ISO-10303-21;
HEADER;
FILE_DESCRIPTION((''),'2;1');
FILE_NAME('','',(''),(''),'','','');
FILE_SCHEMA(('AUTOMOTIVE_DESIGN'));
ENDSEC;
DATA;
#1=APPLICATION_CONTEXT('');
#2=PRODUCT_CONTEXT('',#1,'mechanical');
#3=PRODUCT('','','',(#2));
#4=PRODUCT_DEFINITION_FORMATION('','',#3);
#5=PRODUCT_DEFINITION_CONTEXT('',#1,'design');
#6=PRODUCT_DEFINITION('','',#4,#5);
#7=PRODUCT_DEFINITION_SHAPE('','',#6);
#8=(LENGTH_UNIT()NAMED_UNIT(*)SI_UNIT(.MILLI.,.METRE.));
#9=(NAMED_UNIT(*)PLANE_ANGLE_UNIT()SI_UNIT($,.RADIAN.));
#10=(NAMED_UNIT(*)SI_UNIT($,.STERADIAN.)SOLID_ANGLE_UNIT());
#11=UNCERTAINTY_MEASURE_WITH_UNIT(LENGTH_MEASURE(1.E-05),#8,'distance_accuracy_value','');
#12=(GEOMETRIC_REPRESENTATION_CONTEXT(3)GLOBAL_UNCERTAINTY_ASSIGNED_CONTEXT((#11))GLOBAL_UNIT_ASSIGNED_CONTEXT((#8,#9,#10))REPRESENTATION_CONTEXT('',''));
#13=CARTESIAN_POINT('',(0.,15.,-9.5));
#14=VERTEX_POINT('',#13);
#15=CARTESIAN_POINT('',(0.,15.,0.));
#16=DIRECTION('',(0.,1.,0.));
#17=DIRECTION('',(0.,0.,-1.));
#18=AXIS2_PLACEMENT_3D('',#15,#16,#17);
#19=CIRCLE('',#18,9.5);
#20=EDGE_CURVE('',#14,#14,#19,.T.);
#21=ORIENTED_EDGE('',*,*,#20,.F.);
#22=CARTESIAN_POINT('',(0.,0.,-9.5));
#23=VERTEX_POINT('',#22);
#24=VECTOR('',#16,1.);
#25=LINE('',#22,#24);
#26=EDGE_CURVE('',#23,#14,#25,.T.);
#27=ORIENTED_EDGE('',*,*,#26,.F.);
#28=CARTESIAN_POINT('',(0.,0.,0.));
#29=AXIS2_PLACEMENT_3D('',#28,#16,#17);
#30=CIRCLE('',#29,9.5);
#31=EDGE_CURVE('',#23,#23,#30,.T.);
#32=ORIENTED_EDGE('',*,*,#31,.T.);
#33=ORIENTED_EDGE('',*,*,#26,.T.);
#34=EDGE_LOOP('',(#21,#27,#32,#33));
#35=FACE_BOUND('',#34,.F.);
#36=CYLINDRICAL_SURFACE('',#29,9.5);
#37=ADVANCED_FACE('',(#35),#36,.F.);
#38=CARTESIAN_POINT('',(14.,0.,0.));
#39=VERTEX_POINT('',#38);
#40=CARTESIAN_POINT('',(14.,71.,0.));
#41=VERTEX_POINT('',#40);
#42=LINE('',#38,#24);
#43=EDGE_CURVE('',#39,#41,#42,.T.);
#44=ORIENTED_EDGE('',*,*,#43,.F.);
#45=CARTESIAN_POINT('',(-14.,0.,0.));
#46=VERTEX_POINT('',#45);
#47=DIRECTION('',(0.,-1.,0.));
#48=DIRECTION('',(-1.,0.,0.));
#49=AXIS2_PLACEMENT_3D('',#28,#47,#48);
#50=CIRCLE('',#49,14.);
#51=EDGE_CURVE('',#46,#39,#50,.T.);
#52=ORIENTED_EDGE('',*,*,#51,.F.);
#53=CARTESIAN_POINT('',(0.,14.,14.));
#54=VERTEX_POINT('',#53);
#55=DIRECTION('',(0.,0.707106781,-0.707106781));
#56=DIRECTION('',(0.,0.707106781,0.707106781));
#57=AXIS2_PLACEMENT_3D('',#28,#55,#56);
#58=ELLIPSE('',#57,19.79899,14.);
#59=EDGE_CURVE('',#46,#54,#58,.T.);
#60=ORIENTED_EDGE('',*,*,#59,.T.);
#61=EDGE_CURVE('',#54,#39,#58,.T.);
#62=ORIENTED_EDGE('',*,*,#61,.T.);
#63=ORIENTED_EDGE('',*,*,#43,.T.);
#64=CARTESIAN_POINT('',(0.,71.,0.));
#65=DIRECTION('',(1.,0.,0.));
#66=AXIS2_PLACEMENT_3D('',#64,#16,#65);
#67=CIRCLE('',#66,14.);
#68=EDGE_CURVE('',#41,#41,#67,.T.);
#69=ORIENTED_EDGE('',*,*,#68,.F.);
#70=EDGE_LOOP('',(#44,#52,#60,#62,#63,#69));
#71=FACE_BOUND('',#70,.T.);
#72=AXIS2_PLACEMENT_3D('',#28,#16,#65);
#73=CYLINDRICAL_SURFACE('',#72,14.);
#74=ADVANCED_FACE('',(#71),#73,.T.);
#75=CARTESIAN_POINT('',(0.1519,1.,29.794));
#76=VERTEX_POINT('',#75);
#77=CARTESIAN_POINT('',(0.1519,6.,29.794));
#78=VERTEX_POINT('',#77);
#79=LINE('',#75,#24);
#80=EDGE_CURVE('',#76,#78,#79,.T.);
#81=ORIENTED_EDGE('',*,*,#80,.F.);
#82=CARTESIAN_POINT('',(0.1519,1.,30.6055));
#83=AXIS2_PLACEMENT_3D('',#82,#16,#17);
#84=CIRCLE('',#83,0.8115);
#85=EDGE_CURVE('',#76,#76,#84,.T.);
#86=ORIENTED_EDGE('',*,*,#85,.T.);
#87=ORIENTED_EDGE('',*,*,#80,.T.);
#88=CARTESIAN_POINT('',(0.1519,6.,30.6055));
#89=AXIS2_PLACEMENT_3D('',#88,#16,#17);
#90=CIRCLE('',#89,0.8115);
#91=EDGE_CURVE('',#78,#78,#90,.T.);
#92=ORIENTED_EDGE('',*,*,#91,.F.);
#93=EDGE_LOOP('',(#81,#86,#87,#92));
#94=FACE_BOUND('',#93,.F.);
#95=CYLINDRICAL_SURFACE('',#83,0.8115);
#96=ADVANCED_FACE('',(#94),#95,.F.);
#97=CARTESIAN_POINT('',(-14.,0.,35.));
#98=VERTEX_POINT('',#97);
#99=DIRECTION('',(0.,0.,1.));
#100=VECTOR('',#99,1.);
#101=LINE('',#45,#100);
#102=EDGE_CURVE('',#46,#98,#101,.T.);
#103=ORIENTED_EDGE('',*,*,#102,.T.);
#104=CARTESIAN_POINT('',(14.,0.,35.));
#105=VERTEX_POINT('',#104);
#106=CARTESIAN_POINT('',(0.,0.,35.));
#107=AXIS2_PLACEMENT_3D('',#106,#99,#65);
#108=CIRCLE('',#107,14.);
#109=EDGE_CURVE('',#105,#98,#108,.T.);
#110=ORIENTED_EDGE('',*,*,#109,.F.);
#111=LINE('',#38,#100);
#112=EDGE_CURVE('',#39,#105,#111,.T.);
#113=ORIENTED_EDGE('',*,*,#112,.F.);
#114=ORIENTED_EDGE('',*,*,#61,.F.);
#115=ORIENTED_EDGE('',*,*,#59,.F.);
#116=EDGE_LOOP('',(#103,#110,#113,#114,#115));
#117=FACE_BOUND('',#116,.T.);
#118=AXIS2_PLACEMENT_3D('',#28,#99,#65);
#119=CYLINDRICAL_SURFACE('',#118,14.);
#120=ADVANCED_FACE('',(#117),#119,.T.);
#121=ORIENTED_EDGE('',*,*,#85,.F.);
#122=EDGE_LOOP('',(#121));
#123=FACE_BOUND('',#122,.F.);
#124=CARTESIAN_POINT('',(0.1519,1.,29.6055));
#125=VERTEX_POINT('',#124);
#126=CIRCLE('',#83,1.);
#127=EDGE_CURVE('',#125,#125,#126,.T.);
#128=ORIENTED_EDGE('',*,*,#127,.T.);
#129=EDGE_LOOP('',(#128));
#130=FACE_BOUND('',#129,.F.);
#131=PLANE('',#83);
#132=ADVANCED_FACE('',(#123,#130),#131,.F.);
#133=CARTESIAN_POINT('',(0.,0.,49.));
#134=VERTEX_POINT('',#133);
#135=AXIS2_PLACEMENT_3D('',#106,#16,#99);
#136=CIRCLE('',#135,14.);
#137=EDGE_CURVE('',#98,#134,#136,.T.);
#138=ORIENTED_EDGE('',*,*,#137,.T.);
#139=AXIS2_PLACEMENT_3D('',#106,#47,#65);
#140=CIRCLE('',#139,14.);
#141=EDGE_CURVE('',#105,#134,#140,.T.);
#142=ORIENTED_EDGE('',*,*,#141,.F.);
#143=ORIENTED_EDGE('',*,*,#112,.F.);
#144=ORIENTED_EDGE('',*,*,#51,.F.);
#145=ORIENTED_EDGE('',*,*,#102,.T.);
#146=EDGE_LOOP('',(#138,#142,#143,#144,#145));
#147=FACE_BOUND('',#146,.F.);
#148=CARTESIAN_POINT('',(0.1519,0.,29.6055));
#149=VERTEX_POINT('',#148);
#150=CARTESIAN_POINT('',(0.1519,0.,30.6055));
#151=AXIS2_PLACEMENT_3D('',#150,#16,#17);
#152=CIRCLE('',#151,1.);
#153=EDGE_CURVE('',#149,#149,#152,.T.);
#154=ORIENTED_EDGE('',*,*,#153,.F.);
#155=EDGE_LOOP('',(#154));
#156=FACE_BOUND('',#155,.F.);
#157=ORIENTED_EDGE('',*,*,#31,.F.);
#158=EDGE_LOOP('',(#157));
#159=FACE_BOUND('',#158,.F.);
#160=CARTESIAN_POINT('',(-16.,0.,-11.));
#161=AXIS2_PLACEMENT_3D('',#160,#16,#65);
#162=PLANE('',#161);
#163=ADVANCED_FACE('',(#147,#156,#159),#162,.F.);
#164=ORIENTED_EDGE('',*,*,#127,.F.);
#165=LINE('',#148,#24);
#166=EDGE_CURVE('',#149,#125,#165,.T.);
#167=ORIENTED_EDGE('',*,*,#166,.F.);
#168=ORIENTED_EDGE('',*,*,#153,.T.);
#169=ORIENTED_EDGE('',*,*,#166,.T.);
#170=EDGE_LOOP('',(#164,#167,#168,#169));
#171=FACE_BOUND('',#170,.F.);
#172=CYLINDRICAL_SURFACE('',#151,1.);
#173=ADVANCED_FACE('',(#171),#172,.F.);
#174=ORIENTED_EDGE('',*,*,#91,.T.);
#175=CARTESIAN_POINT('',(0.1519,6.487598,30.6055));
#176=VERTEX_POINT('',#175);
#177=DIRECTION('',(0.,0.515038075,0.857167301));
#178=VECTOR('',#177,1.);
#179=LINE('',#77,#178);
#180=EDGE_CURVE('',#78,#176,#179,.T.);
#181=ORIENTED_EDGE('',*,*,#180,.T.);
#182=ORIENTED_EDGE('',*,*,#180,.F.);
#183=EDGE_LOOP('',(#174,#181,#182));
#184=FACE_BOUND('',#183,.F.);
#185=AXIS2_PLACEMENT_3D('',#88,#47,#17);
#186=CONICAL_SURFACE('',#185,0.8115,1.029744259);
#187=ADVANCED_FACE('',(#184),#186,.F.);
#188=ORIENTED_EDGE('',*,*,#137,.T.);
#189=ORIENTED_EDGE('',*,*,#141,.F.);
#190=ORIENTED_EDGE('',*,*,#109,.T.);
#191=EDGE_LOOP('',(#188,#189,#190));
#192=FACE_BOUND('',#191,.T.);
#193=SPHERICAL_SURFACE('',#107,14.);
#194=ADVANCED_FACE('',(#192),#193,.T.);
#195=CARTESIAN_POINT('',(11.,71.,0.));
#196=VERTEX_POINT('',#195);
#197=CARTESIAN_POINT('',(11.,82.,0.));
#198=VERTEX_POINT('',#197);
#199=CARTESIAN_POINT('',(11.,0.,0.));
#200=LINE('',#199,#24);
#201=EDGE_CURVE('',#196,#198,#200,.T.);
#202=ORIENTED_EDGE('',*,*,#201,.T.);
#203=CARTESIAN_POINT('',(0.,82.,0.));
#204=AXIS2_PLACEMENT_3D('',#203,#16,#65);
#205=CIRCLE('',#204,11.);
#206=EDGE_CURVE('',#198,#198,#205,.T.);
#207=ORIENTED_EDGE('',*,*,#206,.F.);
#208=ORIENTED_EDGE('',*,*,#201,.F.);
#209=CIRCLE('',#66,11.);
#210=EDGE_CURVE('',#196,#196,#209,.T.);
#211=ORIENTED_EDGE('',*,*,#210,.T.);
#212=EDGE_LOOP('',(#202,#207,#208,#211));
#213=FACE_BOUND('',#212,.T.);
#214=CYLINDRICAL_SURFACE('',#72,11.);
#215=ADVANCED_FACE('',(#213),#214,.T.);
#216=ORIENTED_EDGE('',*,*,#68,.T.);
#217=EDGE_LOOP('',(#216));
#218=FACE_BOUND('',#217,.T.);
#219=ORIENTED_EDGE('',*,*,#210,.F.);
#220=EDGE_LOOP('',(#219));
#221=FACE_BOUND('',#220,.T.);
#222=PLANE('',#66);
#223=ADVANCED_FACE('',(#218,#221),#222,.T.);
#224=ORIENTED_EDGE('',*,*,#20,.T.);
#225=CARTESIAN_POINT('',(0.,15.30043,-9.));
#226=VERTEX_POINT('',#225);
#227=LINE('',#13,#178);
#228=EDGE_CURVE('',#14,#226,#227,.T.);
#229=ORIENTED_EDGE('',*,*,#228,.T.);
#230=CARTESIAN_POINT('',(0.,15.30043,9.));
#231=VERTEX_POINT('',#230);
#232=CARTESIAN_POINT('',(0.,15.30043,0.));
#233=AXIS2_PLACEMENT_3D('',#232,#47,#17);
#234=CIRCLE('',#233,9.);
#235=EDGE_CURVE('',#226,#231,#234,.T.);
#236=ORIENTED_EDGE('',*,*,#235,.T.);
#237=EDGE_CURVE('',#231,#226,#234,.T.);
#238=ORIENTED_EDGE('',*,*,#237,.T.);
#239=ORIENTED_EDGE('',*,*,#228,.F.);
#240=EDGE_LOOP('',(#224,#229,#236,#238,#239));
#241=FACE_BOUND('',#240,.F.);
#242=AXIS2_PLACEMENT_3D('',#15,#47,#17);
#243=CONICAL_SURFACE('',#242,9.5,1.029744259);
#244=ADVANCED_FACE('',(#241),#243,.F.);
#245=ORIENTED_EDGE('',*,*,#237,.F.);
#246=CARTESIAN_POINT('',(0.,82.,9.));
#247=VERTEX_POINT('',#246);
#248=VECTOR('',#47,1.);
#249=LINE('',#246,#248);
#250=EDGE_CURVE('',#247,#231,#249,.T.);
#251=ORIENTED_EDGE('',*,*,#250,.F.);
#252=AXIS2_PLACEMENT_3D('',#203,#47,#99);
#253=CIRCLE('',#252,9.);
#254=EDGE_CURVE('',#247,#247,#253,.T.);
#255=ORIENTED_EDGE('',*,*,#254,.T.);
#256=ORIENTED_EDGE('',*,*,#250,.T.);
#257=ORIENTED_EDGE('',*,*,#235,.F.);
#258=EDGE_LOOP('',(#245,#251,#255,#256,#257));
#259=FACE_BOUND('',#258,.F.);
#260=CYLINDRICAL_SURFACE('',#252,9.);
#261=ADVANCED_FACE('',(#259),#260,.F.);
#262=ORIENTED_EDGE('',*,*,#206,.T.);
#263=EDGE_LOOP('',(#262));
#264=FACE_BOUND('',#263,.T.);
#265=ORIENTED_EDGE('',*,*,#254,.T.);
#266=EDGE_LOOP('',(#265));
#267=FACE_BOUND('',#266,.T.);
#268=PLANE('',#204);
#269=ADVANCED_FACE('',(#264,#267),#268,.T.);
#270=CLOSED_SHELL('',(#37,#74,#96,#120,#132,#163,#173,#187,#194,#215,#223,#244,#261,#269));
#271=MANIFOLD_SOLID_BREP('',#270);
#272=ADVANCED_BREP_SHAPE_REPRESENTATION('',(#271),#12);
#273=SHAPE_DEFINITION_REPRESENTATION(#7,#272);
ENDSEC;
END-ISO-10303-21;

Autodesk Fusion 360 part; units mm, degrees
cylinder "CylinderPrimitive1" add diameter 28 height 71 placed x (1, 0, 0) y (0, 0, -1) z (0, 1, 0) at (0, 0, 0) makes body 1
cylinder "CylinderPrimitive2" add diameter 22 height 82 placed x (1, 0, 0) y (0, 0, -1) z (0, 1, 0) at (0, 0, 0) bodies 1
hole "Hole1" at (0, 82, 0) direction (0, -1, 0) diameter 18 end through all bodies 1 1
cylinder "CylinderPrimitive3" add diameter 28 height 35 placed x (1, 0, 0) y (0, 1, 0) z (0, 0, 1) at (0, 0, 0) bodies 1
box "BoxPrimitive1" add length 16 width 90 height 32 placed x (0, 1, 0) y (0, 0, 1) z (1, 0, 0) at (0, -16, -11) separate body makes body 2
move_body "Move1" bodies 2 to x (1, 0, 0) y (0, 1, 0) z (0, 0, 1) at (-16, 0, 0)
sphere "SpherePrimitive1" add diameter 28 placed x (1, 0, 0) y (0, 1, 0) z (0, 0, 1) at (0, 0, 35) bodies 1
combine "Combine1" operation cut target body 1 tool bodies 2
hole "Hole2" at (0, 0, 0) direction (0, 1, 0) diameter 19 depth 15 tip angle 118 bodies 1
hole "Hole3" at (0.1519, 0, 30.6055) direction (0, 1, 0) diameter 1.623 depth 6 tip angle 118 counterbore diameter 2 counterbore depth 1 bodies 1
